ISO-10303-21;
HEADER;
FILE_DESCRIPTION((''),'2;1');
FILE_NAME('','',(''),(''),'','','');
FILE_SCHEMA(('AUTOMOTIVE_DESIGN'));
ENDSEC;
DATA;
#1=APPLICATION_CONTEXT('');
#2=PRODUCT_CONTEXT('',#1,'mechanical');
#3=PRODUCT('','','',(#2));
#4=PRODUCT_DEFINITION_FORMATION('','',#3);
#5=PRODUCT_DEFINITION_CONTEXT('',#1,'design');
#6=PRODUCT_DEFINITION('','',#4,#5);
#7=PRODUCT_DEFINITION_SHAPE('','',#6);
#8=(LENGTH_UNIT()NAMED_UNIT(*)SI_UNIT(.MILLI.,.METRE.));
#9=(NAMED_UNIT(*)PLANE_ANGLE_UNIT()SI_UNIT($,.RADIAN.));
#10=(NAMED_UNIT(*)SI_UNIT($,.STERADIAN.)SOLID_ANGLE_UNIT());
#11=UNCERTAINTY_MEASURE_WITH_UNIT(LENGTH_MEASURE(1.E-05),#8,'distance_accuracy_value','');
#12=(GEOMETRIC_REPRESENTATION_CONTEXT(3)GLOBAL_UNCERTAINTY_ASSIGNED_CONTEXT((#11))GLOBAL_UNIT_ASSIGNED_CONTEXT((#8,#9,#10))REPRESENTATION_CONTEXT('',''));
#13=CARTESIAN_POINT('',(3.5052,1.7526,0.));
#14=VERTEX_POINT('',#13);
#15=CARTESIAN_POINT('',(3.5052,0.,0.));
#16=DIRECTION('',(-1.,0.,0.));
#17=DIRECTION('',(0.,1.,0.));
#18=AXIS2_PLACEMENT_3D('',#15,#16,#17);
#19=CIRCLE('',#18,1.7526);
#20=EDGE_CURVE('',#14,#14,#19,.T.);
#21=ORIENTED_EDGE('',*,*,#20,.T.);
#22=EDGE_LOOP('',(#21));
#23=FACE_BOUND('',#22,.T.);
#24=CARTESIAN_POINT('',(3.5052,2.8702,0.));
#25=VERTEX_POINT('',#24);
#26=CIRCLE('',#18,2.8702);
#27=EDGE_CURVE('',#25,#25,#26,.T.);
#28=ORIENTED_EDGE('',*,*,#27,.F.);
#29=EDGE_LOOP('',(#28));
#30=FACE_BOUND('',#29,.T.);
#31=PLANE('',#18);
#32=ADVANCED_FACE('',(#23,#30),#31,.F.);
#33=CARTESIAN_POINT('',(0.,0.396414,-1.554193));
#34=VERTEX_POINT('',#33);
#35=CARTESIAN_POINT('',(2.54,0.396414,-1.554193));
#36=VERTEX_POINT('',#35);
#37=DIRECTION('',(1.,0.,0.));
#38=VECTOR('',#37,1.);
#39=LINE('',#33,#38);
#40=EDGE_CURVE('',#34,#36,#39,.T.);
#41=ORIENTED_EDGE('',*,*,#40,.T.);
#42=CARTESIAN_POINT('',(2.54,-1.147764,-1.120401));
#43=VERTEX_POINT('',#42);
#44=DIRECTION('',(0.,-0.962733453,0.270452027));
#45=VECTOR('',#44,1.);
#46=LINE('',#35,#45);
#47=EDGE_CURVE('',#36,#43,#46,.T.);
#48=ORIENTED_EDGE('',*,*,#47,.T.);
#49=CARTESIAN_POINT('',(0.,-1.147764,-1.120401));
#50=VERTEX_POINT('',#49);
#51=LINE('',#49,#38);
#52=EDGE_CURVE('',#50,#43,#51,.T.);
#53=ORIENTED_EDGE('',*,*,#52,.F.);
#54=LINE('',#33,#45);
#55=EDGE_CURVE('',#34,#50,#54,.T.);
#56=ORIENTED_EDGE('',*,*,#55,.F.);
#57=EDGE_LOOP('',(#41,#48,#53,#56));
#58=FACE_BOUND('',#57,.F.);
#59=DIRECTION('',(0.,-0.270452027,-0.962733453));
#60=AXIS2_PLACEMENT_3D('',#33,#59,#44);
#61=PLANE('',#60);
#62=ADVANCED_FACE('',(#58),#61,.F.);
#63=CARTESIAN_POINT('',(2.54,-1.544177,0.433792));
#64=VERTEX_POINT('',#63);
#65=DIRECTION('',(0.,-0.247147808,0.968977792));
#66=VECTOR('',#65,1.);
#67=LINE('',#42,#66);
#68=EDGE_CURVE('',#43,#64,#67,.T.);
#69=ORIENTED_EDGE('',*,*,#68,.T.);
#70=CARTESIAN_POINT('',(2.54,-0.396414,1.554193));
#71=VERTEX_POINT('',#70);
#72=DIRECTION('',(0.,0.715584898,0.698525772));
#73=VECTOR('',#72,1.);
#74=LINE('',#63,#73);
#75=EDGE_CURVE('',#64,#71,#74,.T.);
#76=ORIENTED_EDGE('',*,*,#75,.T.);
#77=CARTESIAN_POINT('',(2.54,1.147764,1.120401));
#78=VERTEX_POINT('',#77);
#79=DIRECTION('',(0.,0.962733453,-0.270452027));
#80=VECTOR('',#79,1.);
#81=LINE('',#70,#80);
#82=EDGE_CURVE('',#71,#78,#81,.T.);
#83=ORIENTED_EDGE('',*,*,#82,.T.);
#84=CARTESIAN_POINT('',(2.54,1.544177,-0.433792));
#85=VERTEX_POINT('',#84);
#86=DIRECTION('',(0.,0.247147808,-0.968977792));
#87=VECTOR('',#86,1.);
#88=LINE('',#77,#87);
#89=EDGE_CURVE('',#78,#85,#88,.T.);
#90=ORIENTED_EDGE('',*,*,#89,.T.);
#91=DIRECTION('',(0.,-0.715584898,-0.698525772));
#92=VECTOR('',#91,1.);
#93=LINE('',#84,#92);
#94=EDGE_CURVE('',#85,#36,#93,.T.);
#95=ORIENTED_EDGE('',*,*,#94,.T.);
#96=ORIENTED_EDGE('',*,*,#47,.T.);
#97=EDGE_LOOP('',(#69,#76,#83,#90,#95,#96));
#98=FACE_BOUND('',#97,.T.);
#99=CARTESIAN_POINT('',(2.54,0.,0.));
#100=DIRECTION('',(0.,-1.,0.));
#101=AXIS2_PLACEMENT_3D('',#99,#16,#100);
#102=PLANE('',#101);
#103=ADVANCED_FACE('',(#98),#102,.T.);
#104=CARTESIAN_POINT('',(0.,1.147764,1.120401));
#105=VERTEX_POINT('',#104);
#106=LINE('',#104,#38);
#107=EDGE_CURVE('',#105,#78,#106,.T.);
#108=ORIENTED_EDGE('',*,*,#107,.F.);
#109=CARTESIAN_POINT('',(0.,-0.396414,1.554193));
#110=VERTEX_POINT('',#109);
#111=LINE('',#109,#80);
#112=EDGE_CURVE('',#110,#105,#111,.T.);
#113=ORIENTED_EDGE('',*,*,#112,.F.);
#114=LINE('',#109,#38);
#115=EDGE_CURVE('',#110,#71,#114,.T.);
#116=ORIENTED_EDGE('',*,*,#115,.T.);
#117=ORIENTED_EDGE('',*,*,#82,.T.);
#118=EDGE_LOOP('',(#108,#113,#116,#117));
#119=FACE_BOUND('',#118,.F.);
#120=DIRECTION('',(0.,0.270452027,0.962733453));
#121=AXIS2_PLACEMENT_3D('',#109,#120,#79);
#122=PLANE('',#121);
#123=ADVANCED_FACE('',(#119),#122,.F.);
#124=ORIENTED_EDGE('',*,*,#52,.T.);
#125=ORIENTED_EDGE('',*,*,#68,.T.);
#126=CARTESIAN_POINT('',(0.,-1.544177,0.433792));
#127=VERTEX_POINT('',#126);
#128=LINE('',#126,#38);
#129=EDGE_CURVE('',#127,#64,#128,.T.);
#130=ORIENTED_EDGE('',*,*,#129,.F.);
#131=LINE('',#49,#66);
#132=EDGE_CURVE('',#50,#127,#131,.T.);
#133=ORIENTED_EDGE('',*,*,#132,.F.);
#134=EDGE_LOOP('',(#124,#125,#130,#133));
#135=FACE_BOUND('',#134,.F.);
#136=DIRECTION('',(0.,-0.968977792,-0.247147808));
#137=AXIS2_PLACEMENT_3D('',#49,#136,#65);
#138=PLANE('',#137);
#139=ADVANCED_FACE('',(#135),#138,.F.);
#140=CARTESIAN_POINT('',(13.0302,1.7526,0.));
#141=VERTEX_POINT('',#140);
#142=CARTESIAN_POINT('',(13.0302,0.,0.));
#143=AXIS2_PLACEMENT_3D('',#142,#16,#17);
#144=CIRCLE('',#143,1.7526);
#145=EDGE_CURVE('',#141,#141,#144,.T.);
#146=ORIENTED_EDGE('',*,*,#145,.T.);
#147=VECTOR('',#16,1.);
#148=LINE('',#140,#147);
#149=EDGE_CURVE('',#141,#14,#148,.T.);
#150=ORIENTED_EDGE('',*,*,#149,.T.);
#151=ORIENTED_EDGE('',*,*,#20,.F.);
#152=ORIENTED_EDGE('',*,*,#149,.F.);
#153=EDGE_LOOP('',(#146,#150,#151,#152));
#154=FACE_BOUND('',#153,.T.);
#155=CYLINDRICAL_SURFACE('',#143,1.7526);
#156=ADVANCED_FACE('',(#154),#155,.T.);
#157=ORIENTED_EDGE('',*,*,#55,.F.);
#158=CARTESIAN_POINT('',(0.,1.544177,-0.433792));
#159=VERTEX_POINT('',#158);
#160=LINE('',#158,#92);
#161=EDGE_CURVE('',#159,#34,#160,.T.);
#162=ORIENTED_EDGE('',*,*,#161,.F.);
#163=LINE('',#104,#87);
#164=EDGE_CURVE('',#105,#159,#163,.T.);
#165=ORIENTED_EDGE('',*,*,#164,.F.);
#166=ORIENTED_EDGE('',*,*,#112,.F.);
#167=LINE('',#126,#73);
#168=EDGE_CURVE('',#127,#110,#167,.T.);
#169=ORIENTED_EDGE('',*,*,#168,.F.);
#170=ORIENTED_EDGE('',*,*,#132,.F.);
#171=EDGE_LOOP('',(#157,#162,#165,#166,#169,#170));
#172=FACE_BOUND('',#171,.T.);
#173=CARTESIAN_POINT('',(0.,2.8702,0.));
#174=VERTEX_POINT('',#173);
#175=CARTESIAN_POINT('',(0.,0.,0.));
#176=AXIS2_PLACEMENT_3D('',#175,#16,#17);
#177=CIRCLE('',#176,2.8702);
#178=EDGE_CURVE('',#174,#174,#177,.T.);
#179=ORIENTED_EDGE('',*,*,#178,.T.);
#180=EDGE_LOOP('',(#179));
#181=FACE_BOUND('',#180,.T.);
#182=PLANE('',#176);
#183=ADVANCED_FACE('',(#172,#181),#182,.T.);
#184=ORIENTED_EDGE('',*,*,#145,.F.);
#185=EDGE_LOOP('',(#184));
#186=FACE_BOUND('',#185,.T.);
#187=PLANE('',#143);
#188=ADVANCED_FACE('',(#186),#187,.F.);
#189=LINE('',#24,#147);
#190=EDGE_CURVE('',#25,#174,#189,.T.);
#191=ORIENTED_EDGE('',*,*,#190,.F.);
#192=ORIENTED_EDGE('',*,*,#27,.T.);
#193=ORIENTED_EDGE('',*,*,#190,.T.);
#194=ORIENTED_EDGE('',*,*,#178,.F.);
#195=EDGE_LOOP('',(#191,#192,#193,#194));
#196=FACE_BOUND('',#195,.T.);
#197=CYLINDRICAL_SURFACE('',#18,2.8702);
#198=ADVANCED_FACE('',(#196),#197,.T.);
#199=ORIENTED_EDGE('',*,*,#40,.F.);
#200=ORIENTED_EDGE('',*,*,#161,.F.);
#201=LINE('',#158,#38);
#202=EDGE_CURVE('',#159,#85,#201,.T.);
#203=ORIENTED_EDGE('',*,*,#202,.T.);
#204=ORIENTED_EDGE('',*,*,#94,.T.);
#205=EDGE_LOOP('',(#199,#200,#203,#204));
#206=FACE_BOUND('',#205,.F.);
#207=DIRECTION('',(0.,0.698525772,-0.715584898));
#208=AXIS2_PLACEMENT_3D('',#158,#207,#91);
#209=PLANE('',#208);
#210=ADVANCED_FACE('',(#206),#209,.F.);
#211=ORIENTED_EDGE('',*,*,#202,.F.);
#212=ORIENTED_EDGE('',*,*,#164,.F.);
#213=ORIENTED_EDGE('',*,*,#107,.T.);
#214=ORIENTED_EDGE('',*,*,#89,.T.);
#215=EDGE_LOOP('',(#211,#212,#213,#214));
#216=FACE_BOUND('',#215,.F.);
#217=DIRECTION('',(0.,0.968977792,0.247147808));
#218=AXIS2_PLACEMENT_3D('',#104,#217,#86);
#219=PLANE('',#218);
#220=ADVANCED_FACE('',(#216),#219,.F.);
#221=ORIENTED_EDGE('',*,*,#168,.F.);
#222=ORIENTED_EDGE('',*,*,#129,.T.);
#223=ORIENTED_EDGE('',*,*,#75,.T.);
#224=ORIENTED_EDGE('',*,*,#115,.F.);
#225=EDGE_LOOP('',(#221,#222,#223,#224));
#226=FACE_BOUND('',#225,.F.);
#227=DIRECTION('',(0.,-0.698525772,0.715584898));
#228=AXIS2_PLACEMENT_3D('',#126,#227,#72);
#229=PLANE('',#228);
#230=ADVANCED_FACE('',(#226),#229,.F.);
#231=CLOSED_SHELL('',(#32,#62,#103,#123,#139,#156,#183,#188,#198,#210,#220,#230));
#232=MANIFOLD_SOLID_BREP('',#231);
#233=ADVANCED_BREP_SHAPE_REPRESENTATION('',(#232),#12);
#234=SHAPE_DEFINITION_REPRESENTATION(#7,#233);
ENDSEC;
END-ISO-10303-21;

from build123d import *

# Parameters (mm, degrees)
F3_DEPTH = 2.54


with BuildPart() as f1:
    # F0 (on Top) → F1 (revolve)
    with BuildSketch(Plane.XY):
        Polygon((0, 2.8702), (0, 0), (13.0302, 0), (13.0302, 1.7526), (3.5052, 1.7526), (3.5052, 2.8702), align=None)
    revolve(axis=Axis((4.848177, 0, 0), (-1, 0, 0)))

    # F2 (on face) → F3 (cut)
    with BuildSketch(Plane(origin=(0, 0, 0), x_dir=(0, -1, 0), z_dir=(-1, 0, 0))):
        Polygon((1.544177, 0.433792), (0.396414, 1.554193), (-1.147764, 1.120401), (-1.544177, -0.433792), (-0.396414, -1.554193), (1.147764, -1.120401), align=None)
    extrude(amount=-F3_DEPTH, mode=Mode.SUBTRACT)


solid = f1.part
